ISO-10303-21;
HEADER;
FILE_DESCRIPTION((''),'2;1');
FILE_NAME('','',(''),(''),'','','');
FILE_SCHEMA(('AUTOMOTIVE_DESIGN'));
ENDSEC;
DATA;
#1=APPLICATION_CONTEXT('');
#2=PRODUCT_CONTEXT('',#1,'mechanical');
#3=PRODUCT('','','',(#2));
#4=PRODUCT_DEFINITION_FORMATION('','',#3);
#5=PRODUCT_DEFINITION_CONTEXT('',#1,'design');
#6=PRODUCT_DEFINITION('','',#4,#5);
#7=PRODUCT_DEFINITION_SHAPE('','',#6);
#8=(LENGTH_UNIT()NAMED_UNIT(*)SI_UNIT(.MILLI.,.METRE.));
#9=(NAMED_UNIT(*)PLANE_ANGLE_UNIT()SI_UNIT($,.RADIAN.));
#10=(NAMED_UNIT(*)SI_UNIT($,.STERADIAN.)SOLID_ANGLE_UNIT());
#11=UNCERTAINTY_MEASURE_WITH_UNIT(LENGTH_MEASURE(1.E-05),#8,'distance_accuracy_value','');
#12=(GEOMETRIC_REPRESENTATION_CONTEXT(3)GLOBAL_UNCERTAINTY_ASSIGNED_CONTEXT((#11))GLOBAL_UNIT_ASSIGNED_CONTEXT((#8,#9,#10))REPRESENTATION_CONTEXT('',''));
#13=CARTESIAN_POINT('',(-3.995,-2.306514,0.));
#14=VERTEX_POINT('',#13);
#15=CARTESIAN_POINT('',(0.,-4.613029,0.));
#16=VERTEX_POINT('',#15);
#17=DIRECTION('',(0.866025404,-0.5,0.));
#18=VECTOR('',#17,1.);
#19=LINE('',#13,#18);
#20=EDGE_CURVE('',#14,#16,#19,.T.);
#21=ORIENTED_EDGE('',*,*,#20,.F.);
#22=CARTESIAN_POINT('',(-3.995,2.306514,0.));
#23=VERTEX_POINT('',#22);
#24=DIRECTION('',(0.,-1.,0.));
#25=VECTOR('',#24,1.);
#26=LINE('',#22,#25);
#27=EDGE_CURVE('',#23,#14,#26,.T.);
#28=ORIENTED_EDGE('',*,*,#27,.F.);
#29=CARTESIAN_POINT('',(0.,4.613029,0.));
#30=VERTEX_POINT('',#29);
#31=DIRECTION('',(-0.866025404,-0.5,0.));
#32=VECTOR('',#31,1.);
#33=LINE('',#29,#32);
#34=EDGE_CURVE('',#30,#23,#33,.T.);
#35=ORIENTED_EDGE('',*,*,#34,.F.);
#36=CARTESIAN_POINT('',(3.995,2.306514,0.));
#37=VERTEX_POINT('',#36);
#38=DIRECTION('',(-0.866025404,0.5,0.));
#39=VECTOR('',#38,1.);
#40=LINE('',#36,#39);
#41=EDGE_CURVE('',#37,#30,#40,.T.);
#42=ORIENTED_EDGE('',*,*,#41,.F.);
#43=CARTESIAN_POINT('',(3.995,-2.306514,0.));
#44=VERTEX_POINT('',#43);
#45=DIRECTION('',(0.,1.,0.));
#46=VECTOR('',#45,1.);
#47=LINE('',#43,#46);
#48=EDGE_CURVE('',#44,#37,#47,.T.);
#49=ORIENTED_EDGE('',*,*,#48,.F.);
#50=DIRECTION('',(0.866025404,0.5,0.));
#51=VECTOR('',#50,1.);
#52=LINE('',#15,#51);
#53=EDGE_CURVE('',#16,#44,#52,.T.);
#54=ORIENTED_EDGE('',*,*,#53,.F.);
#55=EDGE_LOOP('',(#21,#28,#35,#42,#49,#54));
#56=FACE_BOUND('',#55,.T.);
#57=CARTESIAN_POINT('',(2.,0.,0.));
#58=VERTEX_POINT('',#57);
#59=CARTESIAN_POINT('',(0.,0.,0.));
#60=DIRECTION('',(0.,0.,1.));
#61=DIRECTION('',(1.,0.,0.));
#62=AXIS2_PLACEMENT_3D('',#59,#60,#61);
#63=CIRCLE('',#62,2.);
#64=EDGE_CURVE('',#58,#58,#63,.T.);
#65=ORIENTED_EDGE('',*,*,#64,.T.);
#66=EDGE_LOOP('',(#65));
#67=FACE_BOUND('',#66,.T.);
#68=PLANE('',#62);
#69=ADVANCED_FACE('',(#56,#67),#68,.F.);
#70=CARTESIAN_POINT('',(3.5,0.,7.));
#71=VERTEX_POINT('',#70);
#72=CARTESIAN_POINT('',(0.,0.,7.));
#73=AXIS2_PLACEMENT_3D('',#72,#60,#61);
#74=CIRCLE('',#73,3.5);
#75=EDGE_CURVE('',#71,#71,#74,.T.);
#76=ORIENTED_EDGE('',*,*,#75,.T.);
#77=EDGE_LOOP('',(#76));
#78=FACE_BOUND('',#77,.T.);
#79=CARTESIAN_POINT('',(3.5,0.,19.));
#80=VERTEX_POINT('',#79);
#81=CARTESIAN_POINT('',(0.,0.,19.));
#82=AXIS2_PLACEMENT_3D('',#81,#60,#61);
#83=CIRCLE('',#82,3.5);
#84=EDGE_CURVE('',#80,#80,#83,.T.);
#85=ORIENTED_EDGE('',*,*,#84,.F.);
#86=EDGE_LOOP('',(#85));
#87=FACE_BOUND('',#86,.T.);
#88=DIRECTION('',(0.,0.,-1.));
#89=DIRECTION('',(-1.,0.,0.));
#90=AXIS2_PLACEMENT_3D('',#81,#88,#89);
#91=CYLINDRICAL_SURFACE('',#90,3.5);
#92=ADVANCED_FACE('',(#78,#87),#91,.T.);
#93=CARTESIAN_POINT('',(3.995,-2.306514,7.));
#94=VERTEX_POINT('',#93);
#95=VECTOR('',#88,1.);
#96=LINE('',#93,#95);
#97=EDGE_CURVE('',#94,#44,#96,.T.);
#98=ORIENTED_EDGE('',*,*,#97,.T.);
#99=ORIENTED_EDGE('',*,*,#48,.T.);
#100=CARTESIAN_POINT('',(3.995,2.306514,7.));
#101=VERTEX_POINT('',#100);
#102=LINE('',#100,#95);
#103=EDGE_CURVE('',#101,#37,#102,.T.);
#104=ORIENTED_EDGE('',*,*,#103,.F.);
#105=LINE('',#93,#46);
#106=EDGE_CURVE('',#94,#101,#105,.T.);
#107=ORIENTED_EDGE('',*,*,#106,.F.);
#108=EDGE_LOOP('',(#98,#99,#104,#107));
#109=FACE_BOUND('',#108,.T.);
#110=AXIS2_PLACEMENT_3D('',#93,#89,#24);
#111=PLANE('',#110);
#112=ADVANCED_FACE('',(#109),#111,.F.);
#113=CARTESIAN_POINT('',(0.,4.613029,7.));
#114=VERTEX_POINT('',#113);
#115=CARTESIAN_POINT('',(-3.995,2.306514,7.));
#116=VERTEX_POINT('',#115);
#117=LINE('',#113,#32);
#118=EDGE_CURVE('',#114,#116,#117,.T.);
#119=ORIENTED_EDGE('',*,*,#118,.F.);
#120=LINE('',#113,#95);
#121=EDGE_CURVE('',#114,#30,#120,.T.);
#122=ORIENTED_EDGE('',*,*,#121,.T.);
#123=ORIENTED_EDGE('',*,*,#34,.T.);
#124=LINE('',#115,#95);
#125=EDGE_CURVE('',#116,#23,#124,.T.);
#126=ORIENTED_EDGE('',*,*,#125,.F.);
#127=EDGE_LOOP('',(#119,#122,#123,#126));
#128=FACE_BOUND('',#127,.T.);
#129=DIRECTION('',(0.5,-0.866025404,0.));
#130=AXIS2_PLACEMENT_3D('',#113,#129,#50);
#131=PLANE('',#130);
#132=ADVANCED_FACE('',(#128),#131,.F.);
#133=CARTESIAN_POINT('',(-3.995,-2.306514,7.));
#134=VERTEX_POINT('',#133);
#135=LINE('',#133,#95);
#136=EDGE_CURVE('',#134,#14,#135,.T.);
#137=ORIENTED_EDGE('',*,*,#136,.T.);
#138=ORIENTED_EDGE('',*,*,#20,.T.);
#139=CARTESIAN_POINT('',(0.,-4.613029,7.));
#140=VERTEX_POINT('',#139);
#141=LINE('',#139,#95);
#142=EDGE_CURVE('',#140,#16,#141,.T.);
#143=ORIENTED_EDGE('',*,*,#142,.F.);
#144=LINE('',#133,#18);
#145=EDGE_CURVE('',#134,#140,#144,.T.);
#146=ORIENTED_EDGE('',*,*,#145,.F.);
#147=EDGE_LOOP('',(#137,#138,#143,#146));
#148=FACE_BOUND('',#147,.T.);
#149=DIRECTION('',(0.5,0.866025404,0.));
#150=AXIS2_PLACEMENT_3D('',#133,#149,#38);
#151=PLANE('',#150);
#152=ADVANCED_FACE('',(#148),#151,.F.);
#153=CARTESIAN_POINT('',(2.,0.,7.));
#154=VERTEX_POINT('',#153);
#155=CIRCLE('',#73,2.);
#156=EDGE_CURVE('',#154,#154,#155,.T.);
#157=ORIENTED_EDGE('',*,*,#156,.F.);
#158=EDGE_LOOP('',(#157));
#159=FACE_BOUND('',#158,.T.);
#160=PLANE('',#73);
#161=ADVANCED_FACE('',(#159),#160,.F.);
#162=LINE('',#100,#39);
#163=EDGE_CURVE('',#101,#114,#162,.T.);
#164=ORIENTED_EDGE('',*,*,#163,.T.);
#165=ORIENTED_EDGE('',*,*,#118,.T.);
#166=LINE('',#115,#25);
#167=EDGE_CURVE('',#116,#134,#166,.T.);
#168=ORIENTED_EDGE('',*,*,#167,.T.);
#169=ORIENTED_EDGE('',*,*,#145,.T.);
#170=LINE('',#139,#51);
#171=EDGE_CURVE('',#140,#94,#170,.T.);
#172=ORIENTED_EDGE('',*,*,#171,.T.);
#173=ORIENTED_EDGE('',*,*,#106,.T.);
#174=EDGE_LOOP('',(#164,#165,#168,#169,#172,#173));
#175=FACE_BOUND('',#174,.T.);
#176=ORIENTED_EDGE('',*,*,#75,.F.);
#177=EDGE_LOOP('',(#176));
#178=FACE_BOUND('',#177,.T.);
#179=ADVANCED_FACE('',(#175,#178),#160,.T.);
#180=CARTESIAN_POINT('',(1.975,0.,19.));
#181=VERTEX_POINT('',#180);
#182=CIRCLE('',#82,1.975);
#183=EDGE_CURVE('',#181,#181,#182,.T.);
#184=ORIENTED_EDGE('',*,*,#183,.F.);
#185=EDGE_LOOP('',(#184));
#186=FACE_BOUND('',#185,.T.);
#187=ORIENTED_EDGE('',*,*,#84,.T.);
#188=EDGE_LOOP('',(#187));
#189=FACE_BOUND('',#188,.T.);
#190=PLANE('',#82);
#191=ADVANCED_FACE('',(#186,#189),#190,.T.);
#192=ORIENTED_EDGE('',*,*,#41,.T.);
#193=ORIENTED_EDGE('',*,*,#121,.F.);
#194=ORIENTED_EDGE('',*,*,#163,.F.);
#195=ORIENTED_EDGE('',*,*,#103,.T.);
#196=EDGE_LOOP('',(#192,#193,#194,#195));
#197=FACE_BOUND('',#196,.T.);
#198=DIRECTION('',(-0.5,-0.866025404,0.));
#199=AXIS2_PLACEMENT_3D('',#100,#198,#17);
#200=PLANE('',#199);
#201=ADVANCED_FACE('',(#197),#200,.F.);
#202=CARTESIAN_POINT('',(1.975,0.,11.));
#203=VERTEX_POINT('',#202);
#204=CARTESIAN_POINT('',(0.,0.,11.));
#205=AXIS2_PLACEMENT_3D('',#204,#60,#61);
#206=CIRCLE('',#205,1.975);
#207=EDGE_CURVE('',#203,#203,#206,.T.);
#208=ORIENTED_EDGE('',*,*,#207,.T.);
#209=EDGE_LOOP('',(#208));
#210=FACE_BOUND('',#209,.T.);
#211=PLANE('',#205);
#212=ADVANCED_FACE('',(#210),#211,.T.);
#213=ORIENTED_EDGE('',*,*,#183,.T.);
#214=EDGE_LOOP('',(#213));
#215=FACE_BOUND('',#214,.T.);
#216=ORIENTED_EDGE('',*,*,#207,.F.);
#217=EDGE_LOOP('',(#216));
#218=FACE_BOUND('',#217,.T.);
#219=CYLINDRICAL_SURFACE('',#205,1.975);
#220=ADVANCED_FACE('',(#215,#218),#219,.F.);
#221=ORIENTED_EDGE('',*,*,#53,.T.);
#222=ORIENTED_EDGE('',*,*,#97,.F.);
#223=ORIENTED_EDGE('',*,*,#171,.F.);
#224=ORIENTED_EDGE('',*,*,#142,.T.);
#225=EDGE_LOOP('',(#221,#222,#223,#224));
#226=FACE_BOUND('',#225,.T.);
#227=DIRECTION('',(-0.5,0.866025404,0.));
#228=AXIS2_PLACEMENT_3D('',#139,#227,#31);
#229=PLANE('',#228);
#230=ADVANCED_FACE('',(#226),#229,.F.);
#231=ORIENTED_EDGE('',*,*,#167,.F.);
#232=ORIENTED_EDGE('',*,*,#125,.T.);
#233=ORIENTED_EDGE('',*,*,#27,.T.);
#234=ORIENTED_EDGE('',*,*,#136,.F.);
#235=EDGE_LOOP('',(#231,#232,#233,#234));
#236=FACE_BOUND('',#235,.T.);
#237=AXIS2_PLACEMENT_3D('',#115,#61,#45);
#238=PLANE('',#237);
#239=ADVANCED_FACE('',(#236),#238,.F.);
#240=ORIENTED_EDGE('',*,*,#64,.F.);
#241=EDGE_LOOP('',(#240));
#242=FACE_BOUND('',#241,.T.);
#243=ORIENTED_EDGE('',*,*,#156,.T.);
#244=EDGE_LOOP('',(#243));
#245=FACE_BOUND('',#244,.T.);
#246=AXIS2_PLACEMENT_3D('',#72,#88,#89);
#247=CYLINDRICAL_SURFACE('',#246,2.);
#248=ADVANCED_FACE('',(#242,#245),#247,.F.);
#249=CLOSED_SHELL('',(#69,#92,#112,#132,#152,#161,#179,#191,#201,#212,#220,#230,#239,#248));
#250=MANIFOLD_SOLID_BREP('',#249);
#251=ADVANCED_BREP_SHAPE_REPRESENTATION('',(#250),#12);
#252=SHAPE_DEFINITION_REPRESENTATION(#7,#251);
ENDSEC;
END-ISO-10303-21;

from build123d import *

# Parameters (mm, degrees)
ESBO_O1_R                = 2
RESSALTO_EXTRUS_O1_DEPTH = 7
ESBO_O2_R                = 3.5
RESSALTO_EXTRUS_O2_DEPTH = 12
ESBO_O3_R                = 1.975
CORTE_EXTRUS_O1_DEPTH    = 8


with BuildPart() as part:
    # Esboço1 → Ressalto-extrusão1 (new body)
    with BuildSketch(Plane.XY):
        Polygon((0, 4.613028651), (-3.995, 2.306514325), (-3.995, -2.306514325), (0, -4.613028651), (3.995, -2.306514325), (3.995, 2.306514325), align=None)
        Circle(ESBO_O1_R, mode=Mode.SUBTRACT)
    extrude(amount=RESSALTO_EXTRUS_O1_DEPTH)

    # Esboço2 → Ressalto-extrusão2 (add)
    with BuildSketch(Plane.XY.offset(7)):
        Circle(ESBO_O2_R)
    extrude(amount=RESSALTO_EXTRUS_O2_DEPTH)

    # Esboço3 → Corte-extrusão1 (cut)
    with BuildSketch(Plane.XY.offset(19)):
        Circle(ESBO_O3_R)
    extrude(amount=-CORTE_EXTRUS_O1_DEPTH, mode=Mode.SUBTRACT)


solid = part.part
